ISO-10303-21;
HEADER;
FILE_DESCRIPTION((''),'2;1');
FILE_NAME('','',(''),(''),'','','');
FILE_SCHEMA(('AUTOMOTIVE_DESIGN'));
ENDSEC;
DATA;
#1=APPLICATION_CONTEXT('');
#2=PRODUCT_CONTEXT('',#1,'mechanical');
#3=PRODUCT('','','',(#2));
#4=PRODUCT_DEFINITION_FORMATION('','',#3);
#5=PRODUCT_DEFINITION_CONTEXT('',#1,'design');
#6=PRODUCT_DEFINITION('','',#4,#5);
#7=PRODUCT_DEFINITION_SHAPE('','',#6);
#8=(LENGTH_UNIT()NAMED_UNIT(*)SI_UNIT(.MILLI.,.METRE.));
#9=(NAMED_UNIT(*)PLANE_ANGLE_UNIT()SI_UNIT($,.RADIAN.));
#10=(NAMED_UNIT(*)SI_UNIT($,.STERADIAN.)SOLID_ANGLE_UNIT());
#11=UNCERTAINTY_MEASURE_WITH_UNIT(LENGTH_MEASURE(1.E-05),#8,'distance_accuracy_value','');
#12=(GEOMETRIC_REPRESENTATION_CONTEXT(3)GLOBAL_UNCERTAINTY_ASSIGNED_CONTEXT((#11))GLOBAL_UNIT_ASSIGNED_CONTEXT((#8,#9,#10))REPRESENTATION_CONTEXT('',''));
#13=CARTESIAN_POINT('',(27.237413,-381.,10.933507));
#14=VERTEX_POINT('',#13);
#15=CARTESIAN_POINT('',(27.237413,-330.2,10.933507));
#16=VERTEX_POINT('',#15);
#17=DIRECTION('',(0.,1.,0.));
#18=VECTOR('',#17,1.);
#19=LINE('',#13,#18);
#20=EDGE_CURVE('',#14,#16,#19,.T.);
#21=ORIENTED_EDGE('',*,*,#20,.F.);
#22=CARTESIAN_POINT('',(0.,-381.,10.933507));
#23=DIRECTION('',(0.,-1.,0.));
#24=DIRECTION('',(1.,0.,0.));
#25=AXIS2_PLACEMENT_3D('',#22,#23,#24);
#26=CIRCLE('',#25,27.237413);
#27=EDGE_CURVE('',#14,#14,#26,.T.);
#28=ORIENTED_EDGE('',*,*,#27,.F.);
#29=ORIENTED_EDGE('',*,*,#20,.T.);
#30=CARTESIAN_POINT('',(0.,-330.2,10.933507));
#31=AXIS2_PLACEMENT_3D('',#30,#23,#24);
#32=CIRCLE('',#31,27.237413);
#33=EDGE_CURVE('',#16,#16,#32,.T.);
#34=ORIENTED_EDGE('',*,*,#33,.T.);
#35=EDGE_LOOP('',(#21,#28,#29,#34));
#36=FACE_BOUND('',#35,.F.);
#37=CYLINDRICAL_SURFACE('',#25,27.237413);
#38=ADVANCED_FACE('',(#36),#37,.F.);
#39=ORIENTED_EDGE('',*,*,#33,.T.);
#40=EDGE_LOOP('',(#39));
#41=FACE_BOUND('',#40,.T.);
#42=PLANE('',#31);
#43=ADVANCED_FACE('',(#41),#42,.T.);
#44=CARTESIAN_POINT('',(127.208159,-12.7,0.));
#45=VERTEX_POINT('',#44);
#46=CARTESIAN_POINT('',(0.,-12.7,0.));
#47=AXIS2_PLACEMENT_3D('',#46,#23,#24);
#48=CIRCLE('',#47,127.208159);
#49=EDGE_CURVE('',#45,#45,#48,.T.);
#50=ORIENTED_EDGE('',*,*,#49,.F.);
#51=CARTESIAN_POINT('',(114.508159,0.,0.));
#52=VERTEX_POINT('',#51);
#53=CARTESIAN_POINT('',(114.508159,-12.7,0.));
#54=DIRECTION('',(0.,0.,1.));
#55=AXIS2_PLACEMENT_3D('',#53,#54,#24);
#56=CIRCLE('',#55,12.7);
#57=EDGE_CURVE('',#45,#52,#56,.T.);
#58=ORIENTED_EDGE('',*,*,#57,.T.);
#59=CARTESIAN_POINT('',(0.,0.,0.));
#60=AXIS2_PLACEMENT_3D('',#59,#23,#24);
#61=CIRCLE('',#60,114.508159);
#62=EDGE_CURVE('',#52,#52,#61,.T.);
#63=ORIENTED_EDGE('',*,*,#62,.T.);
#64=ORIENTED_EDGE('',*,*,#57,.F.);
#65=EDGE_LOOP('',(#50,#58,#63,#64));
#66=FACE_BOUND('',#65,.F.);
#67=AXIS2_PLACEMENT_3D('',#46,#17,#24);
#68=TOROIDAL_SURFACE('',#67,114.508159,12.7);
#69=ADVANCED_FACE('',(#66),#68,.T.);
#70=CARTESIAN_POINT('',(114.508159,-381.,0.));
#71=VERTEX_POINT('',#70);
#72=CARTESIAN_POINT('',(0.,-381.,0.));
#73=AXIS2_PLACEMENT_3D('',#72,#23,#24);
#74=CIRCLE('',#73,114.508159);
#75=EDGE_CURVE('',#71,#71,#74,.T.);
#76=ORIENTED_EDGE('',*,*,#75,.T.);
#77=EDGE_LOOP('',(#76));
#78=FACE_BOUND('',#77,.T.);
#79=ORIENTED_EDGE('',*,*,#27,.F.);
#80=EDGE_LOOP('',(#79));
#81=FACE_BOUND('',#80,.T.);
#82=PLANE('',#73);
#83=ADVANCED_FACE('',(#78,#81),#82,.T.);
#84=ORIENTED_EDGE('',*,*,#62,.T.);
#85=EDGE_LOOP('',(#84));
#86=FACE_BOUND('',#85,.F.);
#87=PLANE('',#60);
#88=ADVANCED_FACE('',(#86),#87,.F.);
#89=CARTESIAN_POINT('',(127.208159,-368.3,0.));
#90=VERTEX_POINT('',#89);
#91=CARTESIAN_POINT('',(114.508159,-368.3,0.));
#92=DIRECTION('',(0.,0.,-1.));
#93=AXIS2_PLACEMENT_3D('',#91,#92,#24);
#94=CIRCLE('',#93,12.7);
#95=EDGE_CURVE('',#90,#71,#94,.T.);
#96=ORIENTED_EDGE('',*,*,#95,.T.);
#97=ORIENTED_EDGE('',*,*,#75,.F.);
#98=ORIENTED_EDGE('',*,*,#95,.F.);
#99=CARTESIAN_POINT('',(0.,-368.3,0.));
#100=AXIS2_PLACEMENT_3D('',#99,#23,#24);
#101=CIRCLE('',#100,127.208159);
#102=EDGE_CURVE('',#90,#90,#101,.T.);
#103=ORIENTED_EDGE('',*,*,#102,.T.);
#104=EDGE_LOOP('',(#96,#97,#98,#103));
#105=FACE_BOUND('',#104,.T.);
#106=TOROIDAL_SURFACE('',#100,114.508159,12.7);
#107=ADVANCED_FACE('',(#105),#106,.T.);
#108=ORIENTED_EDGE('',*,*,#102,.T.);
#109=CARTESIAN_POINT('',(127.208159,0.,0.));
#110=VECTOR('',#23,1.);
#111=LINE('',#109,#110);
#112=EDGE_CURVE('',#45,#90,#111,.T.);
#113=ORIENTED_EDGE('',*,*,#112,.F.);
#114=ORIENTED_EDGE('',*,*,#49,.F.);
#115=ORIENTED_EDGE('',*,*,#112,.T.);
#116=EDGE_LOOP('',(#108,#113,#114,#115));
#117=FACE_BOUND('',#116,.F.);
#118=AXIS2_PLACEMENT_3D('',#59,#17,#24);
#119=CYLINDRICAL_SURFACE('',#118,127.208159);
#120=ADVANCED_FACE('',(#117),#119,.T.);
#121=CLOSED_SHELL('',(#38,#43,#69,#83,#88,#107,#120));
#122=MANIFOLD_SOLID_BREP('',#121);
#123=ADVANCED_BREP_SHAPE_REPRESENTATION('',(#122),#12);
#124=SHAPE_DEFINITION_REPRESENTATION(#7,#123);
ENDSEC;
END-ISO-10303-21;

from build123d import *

# Parameters (mm, degrees)
F0_R     = 127.208159
F1_DEPTH = 381
F2_R     = 27.237413
F3_DEPTH = 50.8
F4_R     = 12.7
F5_R     = 12.7


with BuildPart() as f1:
    # F0 (on Front) → F1 (new body)
    with BuildSketch(Plane.XZ):
        Circle(F0_R)
    extrude(amount=F1_DEPTH)

    # F2 (on face) → F3 (cut)
    with BuildSketch(Plane.XZ.offset(381)):
        with Locations((0, 10.933507)):
            Circle(F2_R)
    extrude(amount=-F3_DEPTH, mode=Mode.SUBTRACT)

    # F4
    f4_edges = [f1.edges().sort_by_distance(p)[0] for p in [
        (-127.208159, -381, 0),
    ]]
    fillet(f4_edges, radius=F4_R)

    # F5
    f5_edges = [f1.edges().sort_by_distance(p)[0] for p in [
        (-127.208159, 0, 0),
    ]]
    fillet(f5_edges, radius=F5_R)


solid = f1.part
